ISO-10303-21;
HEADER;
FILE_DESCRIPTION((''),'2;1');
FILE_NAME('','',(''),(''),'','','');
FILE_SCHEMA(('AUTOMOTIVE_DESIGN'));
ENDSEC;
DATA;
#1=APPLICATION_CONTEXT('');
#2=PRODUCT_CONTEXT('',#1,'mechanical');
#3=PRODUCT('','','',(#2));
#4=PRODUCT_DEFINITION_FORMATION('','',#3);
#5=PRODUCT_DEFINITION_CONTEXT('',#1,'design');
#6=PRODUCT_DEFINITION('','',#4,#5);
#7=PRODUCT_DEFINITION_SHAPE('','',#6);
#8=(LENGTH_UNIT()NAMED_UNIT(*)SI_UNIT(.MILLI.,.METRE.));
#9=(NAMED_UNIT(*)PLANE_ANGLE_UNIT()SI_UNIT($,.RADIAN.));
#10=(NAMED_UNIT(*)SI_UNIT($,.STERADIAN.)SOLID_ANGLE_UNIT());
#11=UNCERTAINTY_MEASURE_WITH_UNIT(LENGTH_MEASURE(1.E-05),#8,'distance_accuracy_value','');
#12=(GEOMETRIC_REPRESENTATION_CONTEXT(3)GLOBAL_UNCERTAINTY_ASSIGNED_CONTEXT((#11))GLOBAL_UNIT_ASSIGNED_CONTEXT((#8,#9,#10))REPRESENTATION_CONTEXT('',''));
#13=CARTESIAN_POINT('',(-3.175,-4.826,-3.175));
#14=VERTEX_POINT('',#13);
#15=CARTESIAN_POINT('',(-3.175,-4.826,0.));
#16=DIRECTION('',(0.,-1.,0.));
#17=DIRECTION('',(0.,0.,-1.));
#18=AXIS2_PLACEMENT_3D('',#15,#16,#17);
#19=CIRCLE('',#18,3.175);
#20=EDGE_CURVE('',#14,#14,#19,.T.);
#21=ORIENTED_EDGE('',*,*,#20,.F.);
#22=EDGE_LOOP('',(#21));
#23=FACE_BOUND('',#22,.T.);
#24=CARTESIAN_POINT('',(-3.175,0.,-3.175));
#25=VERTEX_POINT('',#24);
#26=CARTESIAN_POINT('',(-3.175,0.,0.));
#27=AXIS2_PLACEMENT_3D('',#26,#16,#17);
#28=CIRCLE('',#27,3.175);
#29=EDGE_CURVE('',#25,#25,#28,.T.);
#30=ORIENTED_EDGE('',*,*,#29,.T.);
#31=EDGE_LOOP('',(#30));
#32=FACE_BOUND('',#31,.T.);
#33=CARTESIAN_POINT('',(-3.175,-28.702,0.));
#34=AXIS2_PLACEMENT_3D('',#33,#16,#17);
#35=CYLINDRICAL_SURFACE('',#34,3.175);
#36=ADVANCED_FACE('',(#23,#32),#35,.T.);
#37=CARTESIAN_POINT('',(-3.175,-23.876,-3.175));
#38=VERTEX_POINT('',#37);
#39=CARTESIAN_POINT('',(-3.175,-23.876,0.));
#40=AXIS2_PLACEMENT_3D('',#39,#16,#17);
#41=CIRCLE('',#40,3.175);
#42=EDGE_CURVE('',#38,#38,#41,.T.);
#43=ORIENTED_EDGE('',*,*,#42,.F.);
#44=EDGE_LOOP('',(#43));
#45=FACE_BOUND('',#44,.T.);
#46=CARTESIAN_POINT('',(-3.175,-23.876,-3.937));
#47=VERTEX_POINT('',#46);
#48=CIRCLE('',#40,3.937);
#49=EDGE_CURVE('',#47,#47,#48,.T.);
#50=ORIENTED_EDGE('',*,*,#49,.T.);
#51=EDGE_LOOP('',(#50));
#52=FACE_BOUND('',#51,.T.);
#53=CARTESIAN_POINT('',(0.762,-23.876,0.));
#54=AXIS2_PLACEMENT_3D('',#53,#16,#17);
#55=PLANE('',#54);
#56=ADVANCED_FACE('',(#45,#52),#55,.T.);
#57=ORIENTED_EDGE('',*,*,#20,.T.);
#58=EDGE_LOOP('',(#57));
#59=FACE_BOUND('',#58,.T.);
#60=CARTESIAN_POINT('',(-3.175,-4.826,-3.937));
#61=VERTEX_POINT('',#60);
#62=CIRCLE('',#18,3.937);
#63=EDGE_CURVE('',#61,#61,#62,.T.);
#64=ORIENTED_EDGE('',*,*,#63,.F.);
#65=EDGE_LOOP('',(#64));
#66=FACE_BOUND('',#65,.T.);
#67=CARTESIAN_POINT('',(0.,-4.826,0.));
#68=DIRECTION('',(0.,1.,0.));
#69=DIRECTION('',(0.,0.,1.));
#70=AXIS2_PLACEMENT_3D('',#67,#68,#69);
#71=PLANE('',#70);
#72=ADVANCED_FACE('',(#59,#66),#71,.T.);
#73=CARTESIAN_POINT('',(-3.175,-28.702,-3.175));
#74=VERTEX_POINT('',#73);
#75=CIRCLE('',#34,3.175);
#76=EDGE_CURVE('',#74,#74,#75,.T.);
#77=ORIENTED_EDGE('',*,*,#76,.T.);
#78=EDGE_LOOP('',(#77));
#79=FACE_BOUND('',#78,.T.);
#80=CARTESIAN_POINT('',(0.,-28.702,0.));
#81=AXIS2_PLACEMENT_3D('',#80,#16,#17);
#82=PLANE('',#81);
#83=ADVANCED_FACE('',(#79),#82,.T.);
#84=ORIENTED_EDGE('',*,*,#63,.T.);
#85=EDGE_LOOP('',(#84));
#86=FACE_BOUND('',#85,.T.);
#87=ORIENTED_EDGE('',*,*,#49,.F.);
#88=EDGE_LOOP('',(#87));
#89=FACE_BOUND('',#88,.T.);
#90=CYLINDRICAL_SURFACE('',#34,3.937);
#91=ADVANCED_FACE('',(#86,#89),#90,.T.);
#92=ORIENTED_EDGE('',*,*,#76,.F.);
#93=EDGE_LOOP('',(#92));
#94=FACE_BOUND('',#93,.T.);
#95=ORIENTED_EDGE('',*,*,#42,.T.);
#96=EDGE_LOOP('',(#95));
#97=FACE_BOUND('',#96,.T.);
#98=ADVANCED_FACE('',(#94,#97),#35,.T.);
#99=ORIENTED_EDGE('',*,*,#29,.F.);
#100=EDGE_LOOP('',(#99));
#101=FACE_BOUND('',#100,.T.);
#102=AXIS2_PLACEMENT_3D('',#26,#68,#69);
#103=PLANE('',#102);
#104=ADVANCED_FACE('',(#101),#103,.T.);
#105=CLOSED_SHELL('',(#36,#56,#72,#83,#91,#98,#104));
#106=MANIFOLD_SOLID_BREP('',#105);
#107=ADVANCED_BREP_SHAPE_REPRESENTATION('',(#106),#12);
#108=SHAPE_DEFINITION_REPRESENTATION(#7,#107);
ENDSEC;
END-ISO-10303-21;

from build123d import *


with BuildPart() as part:
    # Sketch1 → Revolve1 (revolve)
    with BuildSketch(Plane.XY, mode=Mode.PRIVATE) as revolve1_sk:
        Polygon((0, 0), (0, -4.826), (0.762, -4.826), (0.762, -23.876), (0, -23.876), (0, -28.702), (-3.175, -28.702), (-3.175, 0), align=None)
    revolve(revolve1_sk.sketch.rotate(Axis((-3.175, -28.702, 0), (0, 1, 0)), 90), axis=Axis((-3.175, -28.702, 0), (0, 1, 0)))


solid = part.part
